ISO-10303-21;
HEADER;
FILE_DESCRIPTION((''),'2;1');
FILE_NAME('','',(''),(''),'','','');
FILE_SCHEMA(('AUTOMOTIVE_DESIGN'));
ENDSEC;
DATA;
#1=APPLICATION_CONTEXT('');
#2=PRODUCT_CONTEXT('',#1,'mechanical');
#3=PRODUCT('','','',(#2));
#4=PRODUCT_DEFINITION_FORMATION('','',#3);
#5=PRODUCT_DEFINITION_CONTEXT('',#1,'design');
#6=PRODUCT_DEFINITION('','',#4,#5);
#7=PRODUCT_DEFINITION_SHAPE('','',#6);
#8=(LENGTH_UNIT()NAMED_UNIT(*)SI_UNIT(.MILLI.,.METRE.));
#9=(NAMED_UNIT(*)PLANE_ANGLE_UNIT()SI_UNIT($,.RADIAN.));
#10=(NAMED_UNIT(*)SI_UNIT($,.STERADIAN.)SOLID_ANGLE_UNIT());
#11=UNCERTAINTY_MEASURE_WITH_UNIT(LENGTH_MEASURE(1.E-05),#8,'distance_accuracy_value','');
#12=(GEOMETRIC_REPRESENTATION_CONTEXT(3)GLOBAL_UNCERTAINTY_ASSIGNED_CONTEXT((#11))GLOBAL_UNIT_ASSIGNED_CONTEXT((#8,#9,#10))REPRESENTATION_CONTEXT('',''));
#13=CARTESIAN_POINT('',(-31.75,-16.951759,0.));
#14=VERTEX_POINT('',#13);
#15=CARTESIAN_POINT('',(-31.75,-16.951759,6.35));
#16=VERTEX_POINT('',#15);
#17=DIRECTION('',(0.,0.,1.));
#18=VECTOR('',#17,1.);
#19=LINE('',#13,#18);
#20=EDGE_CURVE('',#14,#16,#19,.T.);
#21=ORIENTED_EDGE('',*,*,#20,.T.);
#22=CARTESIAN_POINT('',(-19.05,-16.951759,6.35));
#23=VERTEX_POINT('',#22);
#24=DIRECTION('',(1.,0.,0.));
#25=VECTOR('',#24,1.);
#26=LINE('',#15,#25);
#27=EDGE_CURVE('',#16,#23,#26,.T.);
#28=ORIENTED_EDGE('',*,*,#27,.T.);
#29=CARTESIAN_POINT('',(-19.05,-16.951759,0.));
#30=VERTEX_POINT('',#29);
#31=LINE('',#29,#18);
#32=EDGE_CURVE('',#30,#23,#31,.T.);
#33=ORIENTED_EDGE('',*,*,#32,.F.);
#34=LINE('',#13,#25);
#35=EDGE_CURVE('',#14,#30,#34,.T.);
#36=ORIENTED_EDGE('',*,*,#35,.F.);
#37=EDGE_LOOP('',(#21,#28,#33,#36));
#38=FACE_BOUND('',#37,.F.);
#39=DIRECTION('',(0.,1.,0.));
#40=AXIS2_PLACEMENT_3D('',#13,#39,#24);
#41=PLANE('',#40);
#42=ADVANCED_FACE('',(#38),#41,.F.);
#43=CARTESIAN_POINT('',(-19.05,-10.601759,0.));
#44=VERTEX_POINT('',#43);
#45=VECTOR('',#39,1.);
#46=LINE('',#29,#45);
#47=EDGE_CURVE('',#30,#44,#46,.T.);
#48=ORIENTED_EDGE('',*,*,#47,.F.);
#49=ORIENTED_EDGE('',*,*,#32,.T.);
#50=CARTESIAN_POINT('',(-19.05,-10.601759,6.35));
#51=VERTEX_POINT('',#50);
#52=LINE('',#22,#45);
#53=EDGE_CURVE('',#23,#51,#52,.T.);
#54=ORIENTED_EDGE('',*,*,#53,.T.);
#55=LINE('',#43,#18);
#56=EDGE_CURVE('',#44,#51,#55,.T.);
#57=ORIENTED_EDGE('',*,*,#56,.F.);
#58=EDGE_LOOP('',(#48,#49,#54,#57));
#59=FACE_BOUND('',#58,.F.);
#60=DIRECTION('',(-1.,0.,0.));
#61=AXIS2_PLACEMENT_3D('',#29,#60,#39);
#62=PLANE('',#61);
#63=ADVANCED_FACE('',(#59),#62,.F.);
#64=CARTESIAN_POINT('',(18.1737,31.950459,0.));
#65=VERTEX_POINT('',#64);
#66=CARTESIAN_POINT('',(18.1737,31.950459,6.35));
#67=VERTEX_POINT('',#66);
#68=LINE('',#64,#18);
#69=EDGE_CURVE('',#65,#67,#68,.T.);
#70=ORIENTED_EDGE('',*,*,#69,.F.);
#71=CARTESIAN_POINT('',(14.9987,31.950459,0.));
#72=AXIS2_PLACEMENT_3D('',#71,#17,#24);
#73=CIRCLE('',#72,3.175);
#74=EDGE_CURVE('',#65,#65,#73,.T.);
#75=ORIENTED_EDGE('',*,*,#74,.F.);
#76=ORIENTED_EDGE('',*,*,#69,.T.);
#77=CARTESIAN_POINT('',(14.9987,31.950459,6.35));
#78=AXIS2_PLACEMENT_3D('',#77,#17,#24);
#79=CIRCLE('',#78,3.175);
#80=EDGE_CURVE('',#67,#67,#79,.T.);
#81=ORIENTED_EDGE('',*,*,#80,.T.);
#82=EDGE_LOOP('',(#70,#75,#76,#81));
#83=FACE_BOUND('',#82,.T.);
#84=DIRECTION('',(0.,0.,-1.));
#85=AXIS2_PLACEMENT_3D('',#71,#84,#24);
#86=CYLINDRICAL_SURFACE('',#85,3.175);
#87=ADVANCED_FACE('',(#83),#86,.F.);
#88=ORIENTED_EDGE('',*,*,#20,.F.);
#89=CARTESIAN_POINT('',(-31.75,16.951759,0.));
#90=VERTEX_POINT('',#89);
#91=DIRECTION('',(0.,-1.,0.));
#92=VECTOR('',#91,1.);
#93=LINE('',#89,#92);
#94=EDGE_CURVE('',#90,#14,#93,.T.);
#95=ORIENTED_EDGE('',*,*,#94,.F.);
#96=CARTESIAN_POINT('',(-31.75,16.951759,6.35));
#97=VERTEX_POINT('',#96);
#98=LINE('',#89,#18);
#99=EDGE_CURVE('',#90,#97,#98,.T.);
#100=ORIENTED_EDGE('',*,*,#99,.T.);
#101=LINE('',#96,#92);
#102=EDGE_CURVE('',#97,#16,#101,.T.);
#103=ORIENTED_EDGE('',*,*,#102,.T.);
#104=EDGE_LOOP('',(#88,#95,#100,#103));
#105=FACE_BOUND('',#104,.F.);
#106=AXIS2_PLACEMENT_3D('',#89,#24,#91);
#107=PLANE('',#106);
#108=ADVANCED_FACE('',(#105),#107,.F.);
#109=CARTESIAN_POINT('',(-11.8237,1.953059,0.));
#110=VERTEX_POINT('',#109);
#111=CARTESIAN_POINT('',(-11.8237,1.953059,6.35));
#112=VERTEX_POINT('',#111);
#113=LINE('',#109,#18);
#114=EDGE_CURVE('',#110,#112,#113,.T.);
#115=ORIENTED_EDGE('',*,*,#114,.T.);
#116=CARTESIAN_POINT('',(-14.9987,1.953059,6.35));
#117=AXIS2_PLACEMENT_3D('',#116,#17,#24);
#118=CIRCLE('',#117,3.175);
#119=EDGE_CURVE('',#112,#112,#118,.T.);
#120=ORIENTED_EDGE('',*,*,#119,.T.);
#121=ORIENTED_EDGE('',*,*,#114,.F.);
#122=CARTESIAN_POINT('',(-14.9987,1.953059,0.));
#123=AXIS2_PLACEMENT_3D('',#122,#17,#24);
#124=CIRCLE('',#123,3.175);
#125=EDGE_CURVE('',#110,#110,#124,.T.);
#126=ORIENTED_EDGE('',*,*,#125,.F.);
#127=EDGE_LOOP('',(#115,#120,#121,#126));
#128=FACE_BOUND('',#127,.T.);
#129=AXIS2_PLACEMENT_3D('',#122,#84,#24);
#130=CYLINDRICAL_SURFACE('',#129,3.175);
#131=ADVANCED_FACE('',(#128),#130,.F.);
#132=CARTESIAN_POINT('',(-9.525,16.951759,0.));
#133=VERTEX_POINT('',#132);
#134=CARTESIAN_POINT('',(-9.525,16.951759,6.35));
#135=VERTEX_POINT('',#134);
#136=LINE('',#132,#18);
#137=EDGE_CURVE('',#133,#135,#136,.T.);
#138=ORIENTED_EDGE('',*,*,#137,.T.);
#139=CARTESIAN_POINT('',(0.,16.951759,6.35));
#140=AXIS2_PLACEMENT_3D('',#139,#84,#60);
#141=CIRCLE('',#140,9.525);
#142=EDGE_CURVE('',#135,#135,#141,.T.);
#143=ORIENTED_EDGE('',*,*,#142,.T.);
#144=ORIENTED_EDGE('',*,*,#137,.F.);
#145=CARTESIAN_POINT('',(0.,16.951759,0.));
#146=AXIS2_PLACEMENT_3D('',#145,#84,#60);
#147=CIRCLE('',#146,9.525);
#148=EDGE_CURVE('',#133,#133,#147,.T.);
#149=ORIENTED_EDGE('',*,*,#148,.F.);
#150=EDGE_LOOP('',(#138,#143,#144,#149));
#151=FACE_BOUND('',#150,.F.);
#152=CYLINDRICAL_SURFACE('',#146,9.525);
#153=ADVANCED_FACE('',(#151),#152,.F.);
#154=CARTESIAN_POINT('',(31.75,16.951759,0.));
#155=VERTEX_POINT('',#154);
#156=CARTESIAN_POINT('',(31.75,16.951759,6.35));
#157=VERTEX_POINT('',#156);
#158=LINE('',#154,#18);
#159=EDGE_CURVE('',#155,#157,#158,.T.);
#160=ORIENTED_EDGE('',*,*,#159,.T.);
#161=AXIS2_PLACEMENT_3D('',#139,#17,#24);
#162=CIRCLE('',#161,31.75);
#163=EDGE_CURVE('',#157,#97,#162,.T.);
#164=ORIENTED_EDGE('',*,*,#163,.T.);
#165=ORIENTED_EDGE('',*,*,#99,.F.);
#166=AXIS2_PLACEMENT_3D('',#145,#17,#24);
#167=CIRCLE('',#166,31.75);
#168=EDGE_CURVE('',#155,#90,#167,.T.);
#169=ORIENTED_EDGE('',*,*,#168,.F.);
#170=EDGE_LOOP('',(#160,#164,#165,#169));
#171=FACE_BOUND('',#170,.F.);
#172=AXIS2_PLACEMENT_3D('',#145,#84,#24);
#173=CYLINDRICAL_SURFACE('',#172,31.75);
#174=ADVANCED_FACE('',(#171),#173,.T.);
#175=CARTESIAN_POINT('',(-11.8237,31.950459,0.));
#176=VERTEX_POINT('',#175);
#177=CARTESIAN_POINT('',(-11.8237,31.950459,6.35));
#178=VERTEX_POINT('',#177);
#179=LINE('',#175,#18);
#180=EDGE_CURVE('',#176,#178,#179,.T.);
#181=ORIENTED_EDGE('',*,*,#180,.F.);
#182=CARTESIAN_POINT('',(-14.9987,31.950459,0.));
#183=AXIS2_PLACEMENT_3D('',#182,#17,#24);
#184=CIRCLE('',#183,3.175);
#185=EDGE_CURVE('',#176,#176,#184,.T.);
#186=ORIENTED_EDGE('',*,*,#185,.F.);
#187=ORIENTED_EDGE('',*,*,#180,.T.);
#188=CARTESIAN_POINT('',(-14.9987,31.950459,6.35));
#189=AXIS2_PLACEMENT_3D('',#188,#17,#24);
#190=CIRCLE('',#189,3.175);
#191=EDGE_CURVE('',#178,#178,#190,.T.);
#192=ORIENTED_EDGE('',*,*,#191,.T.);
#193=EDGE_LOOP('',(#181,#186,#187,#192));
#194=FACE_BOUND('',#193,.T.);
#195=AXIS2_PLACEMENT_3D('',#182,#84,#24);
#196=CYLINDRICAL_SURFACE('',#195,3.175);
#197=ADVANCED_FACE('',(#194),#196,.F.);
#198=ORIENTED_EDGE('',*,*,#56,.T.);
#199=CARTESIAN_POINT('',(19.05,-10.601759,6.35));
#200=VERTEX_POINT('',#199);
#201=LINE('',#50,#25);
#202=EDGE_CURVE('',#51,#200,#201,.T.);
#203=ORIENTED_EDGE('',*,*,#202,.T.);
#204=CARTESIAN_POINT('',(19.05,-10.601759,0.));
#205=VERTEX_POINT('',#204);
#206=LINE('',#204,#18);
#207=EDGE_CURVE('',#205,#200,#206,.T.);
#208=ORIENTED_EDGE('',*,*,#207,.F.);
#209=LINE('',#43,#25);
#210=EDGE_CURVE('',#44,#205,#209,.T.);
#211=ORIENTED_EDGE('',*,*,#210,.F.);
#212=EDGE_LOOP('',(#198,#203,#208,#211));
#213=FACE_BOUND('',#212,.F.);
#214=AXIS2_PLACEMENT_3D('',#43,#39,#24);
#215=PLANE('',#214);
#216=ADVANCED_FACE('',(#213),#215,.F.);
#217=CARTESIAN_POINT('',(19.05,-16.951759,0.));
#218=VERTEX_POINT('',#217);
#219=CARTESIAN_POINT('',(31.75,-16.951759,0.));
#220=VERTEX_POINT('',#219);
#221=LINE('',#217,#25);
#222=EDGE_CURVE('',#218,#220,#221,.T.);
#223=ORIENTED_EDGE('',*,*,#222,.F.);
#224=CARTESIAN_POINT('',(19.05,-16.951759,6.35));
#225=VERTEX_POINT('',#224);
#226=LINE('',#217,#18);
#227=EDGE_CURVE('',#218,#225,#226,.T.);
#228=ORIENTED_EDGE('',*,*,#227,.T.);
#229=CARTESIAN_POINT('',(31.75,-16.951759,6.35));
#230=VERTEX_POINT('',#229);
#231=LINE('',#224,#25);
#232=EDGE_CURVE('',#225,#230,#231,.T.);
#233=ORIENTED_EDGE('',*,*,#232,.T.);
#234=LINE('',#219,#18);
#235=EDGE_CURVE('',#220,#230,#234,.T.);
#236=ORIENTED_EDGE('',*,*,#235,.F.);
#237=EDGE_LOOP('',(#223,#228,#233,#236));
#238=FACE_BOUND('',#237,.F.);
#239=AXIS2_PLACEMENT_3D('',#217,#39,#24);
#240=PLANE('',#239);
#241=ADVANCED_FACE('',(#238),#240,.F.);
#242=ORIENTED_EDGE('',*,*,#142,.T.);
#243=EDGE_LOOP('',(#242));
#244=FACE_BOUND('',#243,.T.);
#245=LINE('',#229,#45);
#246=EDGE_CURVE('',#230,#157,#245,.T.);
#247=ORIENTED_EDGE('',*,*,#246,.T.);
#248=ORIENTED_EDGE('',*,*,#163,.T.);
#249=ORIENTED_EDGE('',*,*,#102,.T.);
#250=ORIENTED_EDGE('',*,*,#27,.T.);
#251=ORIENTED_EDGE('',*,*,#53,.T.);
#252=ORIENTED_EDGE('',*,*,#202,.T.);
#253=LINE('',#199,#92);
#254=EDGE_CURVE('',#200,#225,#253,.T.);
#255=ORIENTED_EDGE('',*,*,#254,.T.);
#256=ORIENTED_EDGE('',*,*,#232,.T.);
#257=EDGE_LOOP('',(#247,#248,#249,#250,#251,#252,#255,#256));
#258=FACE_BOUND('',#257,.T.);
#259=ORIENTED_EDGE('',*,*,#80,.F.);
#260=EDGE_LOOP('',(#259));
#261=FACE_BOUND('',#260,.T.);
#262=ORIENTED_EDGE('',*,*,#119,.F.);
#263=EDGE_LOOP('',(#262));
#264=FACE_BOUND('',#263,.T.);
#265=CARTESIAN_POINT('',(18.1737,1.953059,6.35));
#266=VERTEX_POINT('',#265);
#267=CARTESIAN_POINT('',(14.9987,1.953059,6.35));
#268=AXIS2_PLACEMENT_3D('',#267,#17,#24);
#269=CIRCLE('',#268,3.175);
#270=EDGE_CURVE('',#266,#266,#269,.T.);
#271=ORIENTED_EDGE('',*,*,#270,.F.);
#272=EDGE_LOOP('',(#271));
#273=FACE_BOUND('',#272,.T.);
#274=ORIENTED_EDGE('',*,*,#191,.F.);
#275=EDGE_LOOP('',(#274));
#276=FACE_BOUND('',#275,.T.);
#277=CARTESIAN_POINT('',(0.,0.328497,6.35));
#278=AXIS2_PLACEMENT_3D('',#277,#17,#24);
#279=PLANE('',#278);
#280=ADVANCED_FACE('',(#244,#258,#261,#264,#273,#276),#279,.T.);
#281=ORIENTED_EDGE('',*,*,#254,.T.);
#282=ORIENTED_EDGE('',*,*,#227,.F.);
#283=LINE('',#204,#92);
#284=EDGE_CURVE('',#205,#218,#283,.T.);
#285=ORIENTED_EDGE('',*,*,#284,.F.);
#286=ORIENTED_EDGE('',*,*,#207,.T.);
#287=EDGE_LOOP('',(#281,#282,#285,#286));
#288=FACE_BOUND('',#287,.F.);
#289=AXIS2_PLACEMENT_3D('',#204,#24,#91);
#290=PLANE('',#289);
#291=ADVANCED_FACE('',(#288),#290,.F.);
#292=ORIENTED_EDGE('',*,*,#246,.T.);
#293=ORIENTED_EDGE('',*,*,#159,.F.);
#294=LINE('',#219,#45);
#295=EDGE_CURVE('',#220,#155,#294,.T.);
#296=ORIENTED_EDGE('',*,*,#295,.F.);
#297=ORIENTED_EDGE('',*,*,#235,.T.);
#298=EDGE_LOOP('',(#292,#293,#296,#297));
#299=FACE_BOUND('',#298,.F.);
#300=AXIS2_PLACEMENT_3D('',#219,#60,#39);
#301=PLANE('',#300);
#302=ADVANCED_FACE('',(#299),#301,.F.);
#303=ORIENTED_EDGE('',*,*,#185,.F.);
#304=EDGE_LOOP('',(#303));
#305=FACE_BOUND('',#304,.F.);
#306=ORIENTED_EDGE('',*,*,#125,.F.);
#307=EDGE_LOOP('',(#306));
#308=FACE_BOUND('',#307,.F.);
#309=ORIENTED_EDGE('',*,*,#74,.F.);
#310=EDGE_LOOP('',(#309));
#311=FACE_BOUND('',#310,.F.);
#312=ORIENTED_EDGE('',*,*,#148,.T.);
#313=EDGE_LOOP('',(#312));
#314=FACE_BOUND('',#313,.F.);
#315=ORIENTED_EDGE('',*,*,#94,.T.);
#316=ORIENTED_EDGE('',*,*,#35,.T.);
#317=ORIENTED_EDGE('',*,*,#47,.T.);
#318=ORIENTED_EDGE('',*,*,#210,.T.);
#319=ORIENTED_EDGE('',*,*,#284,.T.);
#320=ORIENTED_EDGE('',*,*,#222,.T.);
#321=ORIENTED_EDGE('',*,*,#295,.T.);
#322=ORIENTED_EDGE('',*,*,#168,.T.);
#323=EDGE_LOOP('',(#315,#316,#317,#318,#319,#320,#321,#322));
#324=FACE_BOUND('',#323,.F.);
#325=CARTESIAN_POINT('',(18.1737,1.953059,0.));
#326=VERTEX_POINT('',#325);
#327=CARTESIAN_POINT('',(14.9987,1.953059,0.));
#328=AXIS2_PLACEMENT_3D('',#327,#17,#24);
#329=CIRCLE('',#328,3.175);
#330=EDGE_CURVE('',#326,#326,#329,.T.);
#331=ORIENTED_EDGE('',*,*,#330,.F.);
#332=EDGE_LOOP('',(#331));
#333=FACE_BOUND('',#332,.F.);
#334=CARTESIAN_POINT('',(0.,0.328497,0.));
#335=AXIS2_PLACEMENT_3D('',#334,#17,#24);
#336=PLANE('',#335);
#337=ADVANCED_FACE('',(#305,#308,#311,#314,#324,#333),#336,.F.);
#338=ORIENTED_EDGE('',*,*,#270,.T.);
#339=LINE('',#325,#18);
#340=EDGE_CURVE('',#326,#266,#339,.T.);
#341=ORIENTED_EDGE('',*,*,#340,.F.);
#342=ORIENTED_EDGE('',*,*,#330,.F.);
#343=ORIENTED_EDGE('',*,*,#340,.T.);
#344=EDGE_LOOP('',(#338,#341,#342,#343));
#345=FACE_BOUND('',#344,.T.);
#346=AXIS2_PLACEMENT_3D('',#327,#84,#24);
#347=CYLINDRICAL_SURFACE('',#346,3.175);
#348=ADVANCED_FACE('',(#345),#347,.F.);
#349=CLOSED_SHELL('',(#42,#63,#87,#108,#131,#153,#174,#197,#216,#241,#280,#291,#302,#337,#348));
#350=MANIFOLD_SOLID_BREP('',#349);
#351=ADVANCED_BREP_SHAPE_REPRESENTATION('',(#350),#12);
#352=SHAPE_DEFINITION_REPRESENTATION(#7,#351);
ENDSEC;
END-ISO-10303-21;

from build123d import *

# Parameters (mm, degrees)
F0_R     = 3.175
F1_DEPTH = 6.35


with BuildPart() as f1:
    # F0 (on Top) → F1 (new body)
    with BuildSketch(Plane.XY):
        with BuildLine():
            Line((31.75, -16.951759), (31.75, 16.951759))
            Line((31.75, 16.951759), (9.525, 16.951759))
            ThreePointArc((9.525, 16.951759), (0, 7.426759), (-9.525, 16.951759))
            Line((-9.525, 16.951759), (-31.75, 16.951759))
            Line((-31.75, 16.951759), (-31.75, -16.951759))
            Line((-31.75, -16.951759), (-19.05, -16.951759))
            Line((-19.05, -16.951759), (-19.05, -10.601759))
            Line((-19.05, -10.601759), (19.05, -10.601759))
            Line((19.05, -10.601759), (19.05, -16.951759))
            Line((19.05, -16.951759), (31.75, -16.951759))
        make_face()
        with Locations((-14.9987, 1.953059)):
            Circle(F0_R, mode=Mode.SUBTRACT)
        with Locations((14.9987, 1.953059)):
            Circle(F0_R, mode=Mode.SUBTRACT)
        with BuildLine():
            Line((9.525, 16.951759), (31.75, 16.951759))
            ThreePointArc((31.75, 16.951759), (0, 48.701759), (-31.75, 16.951759))
            Line((-31.75, 16.951759), (-9.525, 16.951759))
            ThreePointArc((-9.525, 16.951759), (0, 26.476759), (9.525, 16.951759))
        make_face()
        with Locations((-14.9987, 31.950459)):
            Circle(F0_R, mode=Mode.SUBTRACT)
        with Locations((14.9987, 31.950459)):
            Circle(F0_R, mode=Mode.SUBTRACT)
    extrude(amount=F1_DEPTH)


solid = f1.part
